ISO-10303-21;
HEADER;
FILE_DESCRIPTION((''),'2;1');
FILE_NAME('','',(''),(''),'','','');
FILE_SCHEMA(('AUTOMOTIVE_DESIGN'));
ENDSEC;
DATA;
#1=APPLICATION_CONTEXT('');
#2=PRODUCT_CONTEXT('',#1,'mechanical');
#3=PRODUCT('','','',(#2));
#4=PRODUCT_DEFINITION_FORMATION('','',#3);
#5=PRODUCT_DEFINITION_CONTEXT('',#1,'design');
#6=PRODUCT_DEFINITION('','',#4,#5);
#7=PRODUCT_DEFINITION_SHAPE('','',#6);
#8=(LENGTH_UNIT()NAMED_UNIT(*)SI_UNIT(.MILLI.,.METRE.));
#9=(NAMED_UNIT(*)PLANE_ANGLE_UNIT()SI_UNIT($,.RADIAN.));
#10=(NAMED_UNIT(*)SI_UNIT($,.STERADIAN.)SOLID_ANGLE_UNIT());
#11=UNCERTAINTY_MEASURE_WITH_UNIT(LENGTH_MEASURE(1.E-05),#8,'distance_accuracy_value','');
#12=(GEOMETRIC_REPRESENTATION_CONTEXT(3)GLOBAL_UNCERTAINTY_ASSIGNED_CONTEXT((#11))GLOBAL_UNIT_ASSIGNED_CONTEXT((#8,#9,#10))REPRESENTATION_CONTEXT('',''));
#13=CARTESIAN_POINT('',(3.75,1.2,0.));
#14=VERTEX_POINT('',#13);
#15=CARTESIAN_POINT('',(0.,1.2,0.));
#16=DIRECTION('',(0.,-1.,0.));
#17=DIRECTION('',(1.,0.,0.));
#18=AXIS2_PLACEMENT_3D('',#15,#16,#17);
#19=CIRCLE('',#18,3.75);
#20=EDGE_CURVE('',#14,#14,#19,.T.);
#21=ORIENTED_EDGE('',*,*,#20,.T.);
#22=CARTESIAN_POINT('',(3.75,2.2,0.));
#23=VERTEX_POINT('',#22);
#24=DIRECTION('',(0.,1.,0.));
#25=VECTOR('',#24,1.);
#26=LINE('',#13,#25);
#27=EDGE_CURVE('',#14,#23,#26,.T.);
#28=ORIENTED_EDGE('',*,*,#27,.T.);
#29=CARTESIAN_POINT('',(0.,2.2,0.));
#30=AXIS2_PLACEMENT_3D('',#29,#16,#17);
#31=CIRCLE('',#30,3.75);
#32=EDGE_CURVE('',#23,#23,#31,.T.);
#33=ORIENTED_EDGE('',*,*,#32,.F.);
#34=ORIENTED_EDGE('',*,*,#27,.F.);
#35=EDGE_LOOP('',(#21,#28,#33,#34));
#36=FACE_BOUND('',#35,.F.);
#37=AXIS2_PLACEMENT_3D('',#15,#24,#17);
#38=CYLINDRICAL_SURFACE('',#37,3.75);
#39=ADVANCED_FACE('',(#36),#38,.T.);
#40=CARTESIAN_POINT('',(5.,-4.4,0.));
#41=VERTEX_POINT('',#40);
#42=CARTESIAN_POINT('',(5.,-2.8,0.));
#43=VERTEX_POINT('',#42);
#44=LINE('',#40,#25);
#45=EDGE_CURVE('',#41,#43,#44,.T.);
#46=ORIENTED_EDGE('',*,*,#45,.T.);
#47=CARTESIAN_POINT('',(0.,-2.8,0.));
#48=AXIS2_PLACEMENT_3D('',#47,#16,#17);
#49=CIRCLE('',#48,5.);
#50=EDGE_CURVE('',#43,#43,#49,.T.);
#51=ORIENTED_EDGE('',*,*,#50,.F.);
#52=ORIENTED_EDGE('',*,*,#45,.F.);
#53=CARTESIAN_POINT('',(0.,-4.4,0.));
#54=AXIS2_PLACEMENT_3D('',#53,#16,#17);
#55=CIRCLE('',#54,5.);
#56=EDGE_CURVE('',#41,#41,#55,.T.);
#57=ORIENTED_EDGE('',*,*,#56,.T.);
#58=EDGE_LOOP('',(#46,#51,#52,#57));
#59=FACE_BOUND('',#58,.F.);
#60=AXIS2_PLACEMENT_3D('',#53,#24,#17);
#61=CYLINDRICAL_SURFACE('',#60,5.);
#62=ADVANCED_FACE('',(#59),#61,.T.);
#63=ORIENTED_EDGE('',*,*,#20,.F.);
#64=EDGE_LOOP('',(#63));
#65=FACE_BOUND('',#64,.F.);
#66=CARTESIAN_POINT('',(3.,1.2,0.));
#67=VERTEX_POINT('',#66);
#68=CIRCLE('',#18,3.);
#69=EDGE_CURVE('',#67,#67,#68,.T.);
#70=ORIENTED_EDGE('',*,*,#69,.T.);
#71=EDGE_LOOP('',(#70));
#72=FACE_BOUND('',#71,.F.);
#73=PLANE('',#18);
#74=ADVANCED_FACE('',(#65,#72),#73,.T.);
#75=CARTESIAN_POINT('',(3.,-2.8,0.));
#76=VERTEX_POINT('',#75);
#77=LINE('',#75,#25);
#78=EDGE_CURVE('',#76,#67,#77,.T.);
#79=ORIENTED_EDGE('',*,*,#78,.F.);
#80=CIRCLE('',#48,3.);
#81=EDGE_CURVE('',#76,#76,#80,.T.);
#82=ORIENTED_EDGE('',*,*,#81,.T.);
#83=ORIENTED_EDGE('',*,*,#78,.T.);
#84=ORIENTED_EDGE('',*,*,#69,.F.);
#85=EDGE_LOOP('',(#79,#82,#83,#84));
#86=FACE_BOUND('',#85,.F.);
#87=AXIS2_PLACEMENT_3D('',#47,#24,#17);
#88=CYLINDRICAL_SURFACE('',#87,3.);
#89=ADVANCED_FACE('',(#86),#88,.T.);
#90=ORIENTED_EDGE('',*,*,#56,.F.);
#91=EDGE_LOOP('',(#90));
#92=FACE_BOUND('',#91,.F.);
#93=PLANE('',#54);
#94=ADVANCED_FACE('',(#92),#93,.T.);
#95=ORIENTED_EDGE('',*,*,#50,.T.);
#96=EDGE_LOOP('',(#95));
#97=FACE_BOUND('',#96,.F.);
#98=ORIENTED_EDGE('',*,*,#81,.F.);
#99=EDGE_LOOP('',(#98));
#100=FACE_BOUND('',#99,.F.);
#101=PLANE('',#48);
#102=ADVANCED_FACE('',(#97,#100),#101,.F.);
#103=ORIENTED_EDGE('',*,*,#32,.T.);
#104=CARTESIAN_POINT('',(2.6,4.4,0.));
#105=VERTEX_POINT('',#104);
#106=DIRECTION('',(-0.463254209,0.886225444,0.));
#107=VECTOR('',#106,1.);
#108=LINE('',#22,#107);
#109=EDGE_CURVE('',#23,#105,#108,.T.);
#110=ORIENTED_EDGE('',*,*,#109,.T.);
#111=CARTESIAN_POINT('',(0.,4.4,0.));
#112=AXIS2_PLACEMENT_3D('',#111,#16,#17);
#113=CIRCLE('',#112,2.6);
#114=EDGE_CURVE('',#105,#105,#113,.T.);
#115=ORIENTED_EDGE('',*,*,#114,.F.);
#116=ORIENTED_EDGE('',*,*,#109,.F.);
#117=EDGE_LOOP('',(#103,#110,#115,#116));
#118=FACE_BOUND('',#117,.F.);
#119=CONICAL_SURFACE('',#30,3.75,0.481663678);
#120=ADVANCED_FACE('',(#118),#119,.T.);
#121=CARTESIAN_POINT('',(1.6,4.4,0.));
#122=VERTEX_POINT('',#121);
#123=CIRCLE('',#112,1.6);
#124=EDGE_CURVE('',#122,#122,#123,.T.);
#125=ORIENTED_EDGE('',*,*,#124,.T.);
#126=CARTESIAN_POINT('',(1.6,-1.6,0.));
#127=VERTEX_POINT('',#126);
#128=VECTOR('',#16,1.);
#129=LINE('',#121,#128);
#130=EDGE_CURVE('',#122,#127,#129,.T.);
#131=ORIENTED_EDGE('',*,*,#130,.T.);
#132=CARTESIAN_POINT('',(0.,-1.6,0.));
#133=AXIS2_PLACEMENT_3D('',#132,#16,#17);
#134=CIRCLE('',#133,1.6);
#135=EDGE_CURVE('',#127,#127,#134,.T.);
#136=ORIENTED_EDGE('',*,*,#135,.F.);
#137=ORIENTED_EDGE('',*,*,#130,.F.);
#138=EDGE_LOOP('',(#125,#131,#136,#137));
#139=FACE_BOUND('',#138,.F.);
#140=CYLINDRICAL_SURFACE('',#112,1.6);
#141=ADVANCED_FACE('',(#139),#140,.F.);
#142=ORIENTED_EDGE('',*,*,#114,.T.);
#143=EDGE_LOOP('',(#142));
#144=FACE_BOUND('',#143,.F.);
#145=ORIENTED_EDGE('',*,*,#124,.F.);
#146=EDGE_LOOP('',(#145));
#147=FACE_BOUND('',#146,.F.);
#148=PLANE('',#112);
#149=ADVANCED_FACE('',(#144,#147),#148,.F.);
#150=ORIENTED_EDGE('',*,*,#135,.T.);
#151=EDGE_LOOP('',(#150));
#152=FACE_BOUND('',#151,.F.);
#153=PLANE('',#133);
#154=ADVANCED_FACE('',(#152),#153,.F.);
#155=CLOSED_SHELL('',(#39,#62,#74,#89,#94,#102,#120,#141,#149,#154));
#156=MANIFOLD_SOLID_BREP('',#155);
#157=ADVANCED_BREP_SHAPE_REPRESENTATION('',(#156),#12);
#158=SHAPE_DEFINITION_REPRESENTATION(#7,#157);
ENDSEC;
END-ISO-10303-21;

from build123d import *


with BuildPart() as part:
    # Esquisse1 → Révolution1 (revolve)
    with BuildSketch(Plane.XY):
        Polygon((0, -4.4), (5, -4.4), (5, -2.8), (3, -2.8), (3, 1.2), (3.75, 1.2), (3.75, 2.2), (2.6, 4.4), (1.6, 4.4), (1.6, -1.6), (0, -1.6), align=None)
    revolve(axis=Axis((0, 5.28, 0), (0, -1, 0)))


solid = part.part
